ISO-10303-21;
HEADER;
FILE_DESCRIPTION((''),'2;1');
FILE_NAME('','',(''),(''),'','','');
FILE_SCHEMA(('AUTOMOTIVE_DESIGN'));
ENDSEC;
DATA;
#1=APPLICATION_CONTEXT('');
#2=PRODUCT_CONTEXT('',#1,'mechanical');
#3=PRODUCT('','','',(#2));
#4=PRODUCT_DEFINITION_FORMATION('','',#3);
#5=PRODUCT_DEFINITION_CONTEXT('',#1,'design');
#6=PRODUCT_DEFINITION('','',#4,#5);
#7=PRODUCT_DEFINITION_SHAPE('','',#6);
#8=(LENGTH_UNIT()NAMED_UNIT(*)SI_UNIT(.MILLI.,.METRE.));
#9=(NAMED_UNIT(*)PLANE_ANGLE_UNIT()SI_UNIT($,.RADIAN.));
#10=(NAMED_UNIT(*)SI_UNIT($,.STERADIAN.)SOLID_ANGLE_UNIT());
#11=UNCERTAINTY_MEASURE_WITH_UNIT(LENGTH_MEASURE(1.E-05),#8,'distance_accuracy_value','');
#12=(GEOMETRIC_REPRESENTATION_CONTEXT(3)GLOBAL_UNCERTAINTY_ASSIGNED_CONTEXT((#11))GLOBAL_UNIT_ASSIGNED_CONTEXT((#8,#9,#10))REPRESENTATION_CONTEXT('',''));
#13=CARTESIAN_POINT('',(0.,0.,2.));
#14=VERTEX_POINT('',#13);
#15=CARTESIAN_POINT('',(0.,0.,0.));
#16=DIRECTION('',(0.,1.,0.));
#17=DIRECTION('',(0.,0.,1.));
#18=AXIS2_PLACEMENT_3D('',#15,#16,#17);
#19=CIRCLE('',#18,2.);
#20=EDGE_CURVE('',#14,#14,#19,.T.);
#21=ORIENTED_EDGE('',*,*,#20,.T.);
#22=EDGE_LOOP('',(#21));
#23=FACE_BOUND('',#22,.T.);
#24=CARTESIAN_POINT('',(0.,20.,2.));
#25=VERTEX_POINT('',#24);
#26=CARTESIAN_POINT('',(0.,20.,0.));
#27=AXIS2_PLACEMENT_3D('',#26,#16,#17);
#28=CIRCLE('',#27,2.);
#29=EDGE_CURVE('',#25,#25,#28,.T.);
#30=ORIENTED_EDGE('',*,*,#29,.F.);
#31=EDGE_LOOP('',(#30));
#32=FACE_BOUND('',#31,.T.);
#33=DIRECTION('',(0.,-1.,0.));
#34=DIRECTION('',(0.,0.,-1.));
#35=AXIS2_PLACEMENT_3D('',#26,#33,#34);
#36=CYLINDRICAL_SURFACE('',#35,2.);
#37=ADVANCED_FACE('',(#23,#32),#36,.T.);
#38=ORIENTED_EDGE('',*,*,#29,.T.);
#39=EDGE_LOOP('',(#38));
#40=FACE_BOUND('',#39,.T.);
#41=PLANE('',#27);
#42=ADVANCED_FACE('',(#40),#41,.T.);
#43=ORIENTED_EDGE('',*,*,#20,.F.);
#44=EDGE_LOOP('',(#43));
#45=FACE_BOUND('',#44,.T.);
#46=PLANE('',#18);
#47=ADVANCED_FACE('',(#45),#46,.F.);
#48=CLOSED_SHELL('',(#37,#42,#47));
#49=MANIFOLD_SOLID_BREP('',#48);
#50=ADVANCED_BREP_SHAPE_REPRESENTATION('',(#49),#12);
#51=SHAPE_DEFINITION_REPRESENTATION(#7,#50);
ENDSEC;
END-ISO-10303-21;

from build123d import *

# Parameters (mm, degrees)
SKETCH1_R           = 2
BOSS_EXTRUDE1_DEPTH = 20


with BuildPart() as part:
    # Sketch1 → Boss-Extrude1 (new body)
    with BuildSketch(Plane(origin=(0, 0, 0), x_dir=(1, 0, 0), z_dir=(0, 1, 0))):
        Circle(SKETCH1_R)
    extrude(amount=BOSS_EXTRUDE1_DEPTH)


solid = part.part
